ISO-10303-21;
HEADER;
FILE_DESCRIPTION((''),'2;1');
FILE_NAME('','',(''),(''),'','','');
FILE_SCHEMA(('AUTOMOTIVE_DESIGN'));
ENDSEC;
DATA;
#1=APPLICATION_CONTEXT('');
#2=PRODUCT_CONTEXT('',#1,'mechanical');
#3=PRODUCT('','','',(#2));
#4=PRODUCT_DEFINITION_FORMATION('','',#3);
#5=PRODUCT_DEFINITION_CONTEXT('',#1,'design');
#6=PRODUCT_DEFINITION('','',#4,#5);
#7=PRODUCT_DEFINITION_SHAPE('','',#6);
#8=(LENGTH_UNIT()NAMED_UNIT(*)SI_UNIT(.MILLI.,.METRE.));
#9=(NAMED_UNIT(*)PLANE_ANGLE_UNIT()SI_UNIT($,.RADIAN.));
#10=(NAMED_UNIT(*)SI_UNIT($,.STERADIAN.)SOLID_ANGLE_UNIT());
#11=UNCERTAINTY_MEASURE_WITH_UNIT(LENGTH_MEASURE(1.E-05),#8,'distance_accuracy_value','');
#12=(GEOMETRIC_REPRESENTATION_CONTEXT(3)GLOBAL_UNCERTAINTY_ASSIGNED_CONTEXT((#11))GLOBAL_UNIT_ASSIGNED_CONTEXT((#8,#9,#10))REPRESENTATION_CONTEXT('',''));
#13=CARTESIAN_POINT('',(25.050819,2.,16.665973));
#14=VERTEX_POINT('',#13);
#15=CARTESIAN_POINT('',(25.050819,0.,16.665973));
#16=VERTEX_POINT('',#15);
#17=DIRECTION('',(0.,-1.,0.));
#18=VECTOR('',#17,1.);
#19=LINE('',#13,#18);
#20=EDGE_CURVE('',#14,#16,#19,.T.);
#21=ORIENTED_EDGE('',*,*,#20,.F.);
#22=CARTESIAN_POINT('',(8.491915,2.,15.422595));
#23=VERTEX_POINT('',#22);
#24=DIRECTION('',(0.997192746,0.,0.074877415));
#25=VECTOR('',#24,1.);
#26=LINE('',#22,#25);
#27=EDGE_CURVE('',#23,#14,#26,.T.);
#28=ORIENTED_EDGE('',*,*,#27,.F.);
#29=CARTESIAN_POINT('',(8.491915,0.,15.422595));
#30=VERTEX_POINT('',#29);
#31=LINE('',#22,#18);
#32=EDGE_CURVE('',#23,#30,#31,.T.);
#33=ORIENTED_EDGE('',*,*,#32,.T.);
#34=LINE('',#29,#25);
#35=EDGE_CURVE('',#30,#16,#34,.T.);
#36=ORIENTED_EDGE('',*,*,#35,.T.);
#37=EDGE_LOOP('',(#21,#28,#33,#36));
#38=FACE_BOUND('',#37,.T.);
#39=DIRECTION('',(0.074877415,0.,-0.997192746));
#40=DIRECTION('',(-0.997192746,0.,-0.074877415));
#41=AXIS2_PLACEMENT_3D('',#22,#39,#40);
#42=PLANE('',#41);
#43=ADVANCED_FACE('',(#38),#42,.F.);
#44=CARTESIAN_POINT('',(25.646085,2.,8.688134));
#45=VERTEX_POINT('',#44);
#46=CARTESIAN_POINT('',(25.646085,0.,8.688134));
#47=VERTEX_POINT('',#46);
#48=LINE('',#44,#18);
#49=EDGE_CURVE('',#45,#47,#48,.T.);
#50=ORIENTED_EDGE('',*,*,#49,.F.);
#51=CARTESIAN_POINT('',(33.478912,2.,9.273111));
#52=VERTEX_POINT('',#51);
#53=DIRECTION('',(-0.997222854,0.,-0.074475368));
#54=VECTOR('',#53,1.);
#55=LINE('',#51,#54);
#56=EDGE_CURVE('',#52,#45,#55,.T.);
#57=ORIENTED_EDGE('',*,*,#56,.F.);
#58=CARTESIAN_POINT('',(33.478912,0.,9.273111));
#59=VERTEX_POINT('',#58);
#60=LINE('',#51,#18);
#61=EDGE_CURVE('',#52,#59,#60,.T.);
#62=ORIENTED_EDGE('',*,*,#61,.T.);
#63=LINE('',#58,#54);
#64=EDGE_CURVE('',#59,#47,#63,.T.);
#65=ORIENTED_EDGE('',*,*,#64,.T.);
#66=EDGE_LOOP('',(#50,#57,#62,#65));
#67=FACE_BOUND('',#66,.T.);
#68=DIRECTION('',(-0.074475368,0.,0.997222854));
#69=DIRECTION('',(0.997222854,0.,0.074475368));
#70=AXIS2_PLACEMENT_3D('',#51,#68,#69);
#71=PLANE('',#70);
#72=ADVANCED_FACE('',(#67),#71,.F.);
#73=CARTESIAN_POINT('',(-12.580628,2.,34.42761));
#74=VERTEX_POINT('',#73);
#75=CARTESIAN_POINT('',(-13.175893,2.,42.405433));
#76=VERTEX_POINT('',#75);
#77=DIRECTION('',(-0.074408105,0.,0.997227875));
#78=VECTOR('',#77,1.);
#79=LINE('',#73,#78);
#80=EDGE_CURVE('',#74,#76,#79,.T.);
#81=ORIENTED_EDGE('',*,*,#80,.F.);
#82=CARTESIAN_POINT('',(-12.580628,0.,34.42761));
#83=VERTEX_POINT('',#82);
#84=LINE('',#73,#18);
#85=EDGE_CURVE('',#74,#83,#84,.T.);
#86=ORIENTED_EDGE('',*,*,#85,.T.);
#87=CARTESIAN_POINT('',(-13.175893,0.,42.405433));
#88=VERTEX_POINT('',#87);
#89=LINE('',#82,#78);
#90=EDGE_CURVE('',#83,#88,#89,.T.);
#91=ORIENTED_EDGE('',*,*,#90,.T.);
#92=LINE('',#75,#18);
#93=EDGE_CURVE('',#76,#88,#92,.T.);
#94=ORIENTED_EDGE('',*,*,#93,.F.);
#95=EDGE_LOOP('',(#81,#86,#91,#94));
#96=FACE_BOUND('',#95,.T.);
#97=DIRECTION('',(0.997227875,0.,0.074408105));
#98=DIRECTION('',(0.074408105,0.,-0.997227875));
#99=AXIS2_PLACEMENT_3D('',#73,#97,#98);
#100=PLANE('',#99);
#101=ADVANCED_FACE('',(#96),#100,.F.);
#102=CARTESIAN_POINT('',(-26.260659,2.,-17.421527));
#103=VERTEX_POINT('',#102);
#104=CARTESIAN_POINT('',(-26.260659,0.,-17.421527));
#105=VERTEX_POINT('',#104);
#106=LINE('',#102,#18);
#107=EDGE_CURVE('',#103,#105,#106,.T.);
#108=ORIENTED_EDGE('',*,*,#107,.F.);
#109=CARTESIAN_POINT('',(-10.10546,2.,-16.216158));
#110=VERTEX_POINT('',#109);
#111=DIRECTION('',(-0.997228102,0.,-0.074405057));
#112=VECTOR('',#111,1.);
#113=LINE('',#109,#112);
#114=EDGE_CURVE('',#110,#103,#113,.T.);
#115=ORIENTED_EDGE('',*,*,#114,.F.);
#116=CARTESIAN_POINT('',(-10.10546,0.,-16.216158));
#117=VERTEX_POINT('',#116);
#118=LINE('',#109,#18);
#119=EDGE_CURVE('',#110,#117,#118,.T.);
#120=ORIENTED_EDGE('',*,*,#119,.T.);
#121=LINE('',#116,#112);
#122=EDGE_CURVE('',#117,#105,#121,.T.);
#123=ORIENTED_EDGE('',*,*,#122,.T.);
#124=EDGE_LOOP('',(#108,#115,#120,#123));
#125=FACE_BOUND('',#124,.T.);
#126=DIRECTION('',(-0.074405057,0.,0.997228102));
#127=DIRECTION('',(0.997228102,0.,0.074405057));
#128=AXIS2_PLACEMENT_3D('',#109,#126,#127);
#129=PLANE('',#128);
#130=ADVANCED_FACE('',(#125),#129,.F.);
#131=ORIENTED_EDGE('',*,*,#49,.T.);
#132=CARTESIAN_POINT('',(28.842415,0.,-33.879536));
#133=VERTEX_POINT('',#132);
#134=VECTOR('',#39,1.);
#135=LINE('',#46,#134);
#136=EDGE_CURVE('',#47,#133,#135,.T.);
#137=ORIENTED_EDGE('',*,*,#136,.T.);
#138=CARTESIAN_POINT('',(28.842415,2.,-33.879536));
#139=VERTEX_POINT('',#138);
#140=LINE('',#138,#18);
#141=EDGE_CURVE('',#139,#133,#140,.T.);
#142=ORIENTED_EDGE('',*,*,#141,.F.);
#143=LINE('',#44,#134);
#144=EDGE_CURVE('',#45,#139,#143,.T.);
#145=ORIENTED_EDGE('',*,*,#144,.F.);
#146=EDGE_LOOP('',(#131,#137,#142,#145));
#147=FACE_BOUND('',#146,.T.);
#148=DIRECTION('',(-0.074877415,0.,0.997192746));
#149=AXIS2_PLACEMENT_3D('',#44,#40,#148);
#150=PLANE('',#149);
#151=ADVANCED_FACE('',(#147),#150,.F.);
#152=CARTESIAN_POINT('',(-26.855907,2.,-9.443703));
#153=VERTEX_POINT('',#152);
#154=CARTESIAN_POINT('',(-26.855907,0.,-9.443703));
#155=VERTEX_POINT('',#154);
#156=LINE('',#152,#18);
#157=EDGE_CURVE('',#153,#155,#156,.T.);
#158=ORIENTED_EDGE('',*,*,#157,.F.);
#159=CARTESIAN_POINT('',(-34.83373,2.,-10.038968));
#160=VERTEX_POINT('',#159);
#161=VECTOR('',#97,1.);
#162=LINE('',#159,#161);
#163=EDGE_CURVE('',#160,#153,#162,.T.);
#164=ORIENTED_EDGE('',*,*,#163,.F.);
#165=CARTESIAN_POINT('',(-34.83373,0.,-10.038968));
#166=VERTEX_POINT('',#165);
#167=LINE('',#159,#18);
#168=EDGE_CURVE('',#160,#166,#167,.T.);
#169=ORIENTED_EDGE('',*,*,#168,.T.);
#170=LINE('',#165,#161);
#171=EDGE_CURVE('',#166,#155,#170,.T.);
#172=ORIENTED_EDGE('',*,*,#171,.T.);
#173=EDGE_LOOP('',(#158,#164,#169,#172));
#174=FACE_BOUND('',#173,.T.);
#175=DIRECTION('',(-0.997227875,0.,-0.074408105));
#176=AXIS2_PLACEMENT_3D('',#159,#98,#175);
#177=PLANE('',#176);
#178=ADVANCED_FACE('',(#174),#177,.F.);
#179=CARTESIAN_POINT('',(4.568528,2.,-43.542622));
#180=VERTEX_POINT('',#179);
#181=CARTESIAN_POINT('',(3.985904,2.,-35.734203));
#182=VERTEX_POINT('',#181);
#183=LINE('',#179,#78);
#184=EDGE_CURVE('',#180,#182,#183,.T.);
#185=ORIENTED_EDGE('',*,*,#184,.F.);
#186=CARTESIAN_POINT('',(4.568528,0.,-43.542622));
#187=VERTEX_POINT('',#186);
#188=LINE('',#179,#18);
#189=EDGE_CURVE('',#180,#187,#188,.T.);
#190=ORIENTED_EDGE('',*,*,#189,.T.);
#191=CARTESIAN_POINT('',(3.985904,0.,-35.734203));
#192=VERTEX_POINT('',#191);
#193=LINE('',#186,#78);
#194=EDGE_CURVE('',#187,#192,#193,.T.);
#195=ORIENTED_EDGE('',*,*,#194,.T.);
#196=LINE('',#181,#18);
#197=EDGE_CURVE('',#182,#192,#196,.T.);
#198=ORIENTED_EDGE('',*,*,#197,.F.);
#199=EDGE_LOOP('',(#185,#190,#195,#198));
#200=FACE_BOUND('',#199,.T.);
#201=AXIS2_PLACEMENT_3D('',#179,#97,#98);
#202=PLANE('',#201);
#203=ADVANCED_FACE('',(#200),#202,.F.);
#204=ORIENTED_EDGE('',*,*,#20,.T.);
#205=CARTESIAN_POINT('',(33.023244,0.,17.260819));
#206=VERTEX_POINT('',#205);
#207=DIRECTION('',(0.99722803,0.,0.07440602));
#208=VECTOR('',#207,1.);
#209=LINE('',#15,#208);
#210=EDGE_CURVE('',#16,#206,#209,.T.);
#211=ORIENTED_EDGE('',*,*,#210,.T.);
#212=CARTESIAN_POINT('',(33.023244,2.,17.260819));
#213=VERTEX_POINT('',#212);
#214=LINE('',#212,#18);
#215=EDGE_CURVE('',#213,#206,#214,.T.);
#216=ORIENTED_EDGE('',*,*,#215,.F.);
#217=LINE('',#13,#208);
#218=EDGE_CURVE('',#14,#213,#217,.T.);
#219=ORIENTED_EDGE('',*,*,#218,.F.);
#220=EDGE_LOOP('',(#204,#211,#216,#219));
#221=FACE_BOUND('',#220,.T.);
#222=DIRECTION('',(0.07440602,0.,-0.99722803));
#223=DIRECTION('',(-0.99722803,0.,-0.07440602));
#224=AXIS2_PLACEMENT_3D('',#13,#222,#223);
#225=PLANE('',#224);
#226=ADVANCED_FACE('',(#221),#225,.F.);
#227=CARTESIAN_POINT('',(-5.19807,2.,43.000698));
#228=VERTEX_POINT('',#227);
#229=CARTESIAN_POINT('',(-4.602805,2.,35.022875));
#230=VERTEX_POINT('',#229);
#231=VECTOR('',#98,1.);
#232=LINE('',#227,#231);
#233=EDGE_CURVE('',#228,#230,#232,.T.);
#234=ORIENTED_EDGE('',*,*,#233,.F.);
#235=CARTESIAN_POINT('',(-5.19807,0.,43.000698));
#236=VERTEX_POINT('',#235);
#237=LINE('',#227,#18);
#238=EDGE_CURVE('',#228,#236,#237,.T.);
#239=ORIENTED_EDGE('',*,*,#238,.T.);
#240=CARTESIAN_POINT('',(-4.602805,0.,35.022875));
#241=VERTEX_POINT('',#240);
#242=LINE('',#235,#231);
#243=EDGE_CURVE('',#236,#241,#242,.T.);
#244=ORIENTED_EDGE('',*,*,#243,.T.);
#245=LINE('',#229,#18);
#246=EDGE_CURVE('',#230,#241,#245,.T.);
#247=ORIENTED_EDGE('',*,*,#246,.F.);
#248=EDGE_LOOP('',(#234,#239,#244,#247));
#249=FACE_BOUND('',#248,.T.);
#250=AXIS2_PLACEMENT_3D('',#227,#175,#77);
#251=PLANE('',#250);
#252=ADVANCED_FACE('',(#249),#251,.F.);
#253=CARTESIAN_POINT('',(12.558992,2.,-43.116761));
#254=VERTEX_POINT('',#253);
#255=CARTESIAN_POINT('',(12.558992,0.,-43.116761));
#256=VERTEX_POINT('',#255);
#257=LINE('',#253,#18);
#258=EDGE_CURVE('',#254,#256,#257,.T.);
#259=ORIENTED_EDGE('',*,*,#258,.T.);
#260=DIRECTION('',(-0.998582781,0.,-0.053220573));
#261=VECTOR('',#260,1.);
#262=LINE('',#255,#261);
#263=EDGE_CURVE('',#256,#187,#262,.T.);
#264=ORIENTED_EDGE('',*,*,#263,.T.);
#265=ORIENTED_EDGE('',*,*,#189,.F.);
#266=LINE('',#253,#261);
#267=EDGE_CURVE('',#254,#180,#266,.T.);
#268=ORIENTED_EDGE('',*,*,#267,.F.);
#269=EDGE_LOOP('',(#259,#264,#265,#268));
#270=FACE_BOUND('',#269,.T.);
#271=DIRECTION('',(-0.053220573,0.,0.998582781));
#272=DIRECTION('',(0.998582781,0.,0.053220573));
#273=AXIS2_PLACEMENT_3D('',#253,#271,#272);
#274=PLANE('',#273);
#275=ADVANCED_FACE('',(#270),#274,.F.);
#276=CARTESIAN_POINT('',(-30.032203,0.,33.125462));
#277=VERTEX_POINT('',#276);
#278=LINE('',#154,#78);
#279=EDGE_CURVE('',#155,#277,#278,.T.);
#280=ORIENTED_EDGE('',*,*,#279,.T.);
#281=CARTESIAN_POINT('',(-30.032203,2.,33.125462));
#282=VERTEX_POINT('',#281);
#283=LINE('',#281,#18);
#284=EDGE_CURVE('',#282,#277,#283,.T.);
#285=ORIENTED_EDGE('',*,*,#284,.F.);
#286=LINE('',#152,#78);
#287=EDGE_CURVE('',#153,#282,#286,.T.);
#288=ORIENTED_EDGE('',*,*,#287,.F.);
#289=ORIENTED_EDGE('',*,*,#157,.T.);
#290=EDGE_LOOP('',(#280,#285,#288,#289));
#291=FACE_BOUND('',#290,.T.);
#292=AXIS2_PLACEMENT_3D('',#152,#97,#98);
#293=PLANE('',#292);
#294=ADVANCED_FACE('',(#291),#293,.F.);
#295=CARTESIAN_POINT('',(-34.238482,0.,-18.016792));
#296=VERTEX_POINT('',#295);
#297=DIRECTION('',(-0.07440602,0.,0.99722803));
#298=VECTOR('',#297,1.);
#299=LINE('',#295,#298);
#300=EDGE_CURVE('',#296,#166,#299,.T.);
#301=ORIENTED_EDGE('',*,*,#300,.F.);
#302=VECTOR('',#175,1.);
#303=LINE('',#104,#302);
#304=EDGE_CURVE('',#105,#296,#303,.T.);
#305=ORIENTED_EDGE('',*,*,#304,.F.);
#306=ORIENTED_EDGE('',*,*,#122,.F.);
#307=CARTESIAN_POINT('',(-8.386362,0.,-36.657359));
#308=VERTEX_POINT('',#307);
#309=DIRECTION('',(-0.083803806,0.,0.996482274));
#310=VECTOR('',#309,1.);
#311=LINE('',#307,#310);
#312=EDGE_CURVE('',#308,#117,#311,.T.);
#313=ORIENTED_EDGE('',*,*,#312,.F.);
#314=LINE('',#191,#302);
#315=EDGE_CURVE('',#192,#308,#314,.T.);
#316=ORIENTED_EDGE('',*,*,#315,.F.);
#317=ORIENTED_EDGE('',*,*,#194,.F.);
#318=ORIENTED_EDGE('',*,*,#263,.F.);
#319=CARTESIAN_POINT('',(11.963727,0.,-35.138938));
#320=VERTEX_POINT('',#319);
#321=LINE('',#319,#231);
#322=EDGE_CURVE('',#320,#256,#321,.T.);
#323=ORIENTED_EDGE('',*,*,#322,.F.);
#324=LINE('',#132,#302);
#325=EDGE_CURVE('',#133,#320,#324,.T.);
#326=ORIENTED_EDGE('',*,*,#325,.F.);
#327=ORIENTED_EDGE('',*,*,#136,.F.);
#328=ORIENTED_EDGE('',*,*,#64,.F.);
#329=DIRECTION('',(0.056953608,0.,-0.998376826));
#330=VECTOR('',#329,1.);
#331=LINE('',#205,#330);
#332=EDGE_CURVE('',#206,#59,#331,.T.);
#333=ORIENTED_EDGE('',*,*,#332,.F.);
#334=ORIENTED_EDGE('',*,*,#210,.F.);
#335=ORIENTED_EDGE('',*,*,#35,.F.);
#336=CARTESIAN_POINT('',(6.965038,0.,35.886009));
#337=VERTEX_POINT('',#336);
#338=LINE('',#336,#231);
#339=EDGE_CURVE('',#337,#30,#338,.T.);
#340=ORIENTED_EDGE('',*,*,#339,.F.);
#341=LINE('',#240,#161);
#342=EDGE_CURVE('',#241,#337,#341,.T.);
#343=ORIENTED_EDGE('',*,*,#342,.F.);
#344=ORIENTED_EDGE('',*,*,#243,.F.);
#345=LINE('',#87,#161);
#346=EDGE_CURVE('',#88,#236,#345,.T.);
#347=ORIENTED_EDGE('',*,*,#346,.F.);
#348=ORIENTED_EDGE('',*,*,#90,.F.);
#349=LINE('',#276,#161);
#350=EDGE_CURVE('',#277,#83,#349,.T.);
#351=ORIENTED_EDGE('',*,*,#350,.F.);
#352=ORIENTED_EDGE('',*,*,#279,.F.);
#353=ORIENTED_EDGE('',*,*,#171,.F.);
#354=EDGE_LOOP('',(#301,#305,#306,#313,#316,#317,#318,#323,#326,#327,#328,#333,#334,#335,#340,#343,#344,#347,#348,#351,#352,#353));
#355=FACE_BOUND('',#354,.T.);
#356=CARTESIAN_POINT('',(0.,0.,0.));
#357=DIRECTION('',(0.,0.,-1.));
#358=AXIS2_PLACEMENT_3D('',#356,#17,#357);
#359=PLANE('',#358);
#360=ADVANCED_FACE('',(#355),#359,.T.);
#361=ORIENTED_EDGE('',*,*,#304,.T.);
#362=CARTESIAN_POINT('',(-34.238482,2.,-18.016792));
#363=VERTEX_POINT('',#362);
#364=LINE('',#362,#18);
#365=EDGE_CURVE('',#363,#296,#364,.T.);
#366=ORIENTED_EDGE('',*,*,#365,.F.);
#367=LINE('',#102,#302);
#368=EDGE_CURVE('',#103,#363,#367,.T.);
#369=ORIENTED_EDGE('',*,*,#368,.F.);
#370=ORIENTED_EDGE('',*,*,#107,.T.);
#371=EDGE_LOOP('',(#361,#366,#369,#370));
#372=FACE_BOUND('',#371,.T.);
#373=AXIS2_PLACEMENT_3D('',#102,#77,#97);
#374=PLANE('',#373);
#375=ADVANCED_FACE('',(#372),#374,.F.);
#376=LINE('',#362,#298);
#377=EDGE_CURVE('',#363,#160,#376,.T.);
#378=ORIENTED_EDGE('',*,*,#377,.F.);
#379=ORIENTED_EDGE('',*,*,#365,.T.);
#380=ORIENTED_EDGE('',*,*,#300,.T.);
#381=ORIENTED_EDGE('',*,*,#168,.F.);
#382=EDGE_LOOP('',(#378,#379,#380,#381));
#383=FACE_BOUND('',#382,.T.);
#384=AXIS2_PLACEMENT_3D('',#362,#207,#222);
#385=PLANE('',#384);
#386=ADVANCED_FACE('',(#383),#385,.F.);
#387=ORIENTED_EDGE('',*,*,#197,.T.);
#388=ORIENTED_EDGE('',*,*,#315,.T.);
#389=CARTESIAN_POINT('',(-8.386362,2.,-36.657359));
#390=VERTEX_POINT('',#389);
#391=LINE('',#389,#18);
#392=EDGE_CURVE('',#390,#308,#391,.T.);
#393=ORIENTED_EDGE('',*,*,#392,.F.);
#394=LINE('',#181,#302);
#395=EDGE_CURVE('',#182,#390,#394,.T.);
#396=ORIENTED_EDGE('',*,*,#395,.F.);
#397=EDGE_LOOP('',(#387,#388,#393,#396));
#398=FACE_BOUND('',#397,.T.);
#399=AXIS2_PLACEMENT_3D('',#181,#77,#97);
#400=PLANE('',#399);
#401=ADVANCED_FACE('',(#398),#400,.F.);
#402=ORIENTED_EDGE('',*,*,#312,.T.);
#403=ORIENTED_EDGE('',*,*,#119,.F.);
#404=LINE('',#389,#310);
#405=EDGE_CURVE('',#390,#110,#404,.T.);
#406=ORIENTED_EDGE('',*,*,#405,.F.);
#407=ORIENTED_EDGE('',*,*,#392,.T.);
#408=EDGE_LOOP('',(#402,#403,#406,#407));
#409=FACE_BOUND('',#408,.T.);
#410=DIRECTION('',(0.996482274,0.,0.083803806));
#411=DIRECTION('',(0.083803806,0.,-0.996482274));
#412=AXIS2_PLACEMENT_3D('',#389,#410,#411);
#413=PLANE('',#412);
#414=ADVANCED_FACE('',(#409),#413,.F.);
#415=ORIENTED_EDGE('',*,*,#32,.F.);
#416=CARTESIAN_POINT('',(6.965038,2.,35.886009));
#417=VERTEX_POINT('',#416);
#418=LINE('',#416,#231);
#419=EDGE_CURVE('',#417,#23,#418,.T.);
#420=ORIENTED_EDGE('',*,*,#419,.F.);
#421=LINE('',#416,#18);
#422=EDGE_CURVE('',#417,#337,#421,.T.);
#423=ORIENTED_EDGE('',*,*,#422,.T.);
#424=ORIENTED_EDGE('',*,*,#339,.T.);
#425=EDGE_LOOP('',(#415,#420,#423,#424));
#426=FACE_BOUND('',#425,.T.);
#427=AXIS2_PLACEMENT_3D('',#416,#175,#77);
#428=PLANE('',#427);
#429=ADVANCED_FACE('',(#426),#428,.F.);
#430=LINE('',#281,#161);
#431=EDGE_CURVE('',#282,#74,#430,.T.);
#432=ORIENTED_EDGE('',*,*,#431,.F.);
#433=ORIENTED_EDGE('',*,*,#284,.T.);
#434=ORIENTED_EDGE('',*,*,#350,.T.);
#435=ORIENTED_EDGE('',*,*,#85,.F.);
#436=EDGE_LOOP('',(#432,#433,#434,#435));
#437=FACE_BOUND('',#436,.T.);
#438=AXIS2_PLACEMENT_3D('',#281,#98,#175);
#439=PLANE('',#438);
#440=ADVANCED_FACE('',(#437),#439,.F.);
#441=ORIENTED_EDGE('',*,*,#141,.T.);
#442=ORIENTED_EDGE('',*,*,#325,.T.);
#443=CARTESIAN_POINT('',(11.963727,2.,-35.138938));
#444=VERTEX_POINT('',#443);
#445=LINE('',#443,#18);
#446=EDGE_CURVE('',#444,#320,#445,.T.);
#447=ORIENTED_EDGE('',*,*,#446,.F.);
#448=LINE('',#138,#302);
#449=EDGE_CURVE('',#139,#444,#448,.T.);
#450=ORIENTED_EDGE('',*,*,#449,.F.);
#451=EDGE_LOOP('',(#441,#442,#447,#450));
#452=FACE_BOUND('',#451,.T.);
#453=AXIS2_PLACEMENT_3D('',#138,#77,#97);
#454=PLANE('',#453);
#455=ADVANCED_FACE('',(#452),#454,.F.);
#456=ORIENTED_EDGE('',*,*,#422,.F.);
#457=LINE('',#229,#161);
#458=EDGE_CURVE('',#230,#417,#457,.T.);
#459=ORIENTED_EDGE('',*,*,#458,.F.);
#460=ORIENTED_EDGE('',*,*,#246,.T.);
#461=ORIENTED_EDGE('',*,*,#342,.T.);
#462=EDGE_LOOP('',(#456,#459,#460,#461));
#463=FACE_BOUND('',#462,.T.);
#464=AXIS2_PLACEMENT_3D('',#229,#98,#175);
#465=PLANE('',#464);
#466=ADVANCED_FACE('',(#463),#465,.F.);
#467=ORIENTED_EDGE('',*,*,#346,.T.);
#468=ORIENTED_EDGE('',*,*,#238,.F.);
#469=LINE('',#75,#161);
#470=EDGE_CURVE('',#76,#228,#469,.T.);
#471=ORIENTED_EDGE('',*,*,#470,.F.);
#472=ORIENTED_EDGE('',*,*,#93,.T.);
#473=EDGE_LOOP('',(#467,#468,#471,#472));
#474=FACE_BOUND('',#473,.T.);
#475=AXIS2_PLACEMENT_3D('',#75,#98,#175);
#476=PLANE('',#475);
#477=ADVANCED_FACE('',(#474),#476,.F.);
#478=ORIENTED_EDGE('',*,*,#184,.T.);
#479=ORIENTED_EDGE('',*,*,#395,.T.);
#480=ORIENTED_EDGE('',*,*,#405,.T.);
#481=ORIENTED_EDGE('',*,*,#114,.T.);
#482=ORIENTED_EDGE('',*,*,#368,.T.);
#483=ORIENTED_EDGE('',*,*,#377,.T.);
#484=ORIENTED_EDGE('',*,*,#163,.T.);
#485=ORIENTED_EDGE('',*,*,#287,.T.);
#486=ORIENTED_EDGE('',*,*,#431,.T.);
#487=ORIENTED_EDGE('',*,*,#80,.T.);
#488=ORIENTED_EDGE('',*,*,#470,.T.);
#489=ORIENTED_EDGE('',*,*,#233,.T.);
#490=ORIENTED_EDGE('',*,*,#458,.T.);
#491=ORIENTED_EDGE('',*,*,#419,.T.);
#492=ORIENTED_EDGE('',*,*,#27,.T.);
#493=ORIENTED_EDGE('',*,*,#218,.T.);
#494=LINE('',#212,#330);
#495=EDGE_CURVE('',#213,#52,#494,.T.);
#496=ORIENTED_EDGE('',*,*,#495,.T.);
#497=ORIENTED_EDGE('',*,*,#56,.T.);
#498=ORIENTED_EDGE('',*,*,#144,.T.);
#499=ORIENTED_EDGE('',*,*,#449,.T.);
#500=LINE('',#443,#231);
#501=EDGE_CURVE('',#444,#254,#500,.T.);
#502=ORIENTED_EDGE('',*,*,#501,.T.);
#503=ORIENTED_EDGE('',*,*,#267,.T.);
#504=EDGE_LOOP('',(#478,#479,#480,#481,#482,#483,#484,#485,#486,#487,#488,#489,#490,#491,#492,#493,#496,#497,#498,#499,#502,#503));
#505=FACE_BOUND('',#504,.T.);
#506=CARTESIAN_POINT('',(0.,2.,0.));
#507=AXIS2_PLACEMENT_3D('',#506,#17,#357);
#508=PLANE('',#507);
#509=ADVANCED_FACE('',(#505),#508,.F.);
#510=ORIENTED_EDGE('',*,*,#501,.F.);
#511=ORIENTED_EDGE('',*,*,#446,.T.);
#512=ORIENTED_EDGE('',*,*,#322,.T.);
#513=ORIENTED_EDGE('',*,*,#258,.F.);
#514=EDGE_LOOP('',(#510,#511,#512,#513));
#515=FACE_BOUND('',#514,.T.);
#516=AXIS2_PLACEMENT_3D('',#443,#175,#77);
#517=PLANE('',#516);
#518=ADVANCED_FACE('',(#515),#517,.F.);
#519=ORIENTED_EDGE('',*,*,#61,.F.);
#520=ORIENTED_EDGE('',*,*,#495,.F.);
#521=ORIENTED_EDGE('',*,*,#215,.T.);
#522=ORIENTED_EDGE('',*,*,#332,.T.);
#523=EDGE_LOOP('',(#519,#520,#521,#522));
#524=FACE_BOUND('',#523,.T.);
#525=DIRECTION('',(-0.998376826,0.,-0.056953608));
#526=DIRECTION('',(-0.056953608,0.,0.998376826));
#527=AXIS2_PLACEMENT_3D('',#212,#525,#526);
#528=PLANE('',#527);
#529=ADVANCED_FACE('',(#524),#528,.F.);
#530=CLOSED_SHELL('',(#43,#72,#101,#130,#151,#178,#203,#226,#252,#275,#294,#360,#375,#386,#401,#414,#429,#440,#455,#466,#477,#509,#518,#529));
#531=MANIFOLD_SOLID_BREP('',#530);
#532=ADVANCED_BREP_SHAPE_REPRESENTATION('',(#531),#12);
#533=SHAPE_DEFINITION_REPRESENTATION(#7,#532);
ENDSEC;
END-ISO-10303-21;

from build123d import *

# Parameters (mm, degrees)
BOSS_EXTRUDE1_DEPTH = 2


with BuildPart() as part:
    # Sketch1 → Boss-Extrude1 (new body)
    with BuildSketch(Plane(origin=(0, 0, 0), x_dir=(1, 0, 0), z_dir=(0, 1, 0))):
        Polygon((4.568528484, 43.542621579), (3.985903734, 35.734202862), (-8.386362284, 36.657358837), (-10.105460058, 16.216157585), (-26.260658602, 17.421527219), (-34.238481599, 18.01679206), (-34.833729729, 10.038968179), (-26.855906732, 9.443703338), (-30.03220272, -33.125461559), (-12.580627946, -34.427609888), (-13.175892787, -42.405432885), (-5.19806979, -43.000697726), (-4.602804949, -35.022874729), (6.965038397, -35.886008748), (8.491914931, -15.422595011), (25.050819292, -16.665973443), (33.023243687, -17.260818703), (33.478912071, -9.273111353), (25.646084989, -8.688134108), (28.842414994, 33.879535952), (11.963726758, 35.138938382), (12.558991572, 43.116761018), align=None)
    extrude(amount=BOSS_EXTRUDE1_DEPTH)


solid = part.part
